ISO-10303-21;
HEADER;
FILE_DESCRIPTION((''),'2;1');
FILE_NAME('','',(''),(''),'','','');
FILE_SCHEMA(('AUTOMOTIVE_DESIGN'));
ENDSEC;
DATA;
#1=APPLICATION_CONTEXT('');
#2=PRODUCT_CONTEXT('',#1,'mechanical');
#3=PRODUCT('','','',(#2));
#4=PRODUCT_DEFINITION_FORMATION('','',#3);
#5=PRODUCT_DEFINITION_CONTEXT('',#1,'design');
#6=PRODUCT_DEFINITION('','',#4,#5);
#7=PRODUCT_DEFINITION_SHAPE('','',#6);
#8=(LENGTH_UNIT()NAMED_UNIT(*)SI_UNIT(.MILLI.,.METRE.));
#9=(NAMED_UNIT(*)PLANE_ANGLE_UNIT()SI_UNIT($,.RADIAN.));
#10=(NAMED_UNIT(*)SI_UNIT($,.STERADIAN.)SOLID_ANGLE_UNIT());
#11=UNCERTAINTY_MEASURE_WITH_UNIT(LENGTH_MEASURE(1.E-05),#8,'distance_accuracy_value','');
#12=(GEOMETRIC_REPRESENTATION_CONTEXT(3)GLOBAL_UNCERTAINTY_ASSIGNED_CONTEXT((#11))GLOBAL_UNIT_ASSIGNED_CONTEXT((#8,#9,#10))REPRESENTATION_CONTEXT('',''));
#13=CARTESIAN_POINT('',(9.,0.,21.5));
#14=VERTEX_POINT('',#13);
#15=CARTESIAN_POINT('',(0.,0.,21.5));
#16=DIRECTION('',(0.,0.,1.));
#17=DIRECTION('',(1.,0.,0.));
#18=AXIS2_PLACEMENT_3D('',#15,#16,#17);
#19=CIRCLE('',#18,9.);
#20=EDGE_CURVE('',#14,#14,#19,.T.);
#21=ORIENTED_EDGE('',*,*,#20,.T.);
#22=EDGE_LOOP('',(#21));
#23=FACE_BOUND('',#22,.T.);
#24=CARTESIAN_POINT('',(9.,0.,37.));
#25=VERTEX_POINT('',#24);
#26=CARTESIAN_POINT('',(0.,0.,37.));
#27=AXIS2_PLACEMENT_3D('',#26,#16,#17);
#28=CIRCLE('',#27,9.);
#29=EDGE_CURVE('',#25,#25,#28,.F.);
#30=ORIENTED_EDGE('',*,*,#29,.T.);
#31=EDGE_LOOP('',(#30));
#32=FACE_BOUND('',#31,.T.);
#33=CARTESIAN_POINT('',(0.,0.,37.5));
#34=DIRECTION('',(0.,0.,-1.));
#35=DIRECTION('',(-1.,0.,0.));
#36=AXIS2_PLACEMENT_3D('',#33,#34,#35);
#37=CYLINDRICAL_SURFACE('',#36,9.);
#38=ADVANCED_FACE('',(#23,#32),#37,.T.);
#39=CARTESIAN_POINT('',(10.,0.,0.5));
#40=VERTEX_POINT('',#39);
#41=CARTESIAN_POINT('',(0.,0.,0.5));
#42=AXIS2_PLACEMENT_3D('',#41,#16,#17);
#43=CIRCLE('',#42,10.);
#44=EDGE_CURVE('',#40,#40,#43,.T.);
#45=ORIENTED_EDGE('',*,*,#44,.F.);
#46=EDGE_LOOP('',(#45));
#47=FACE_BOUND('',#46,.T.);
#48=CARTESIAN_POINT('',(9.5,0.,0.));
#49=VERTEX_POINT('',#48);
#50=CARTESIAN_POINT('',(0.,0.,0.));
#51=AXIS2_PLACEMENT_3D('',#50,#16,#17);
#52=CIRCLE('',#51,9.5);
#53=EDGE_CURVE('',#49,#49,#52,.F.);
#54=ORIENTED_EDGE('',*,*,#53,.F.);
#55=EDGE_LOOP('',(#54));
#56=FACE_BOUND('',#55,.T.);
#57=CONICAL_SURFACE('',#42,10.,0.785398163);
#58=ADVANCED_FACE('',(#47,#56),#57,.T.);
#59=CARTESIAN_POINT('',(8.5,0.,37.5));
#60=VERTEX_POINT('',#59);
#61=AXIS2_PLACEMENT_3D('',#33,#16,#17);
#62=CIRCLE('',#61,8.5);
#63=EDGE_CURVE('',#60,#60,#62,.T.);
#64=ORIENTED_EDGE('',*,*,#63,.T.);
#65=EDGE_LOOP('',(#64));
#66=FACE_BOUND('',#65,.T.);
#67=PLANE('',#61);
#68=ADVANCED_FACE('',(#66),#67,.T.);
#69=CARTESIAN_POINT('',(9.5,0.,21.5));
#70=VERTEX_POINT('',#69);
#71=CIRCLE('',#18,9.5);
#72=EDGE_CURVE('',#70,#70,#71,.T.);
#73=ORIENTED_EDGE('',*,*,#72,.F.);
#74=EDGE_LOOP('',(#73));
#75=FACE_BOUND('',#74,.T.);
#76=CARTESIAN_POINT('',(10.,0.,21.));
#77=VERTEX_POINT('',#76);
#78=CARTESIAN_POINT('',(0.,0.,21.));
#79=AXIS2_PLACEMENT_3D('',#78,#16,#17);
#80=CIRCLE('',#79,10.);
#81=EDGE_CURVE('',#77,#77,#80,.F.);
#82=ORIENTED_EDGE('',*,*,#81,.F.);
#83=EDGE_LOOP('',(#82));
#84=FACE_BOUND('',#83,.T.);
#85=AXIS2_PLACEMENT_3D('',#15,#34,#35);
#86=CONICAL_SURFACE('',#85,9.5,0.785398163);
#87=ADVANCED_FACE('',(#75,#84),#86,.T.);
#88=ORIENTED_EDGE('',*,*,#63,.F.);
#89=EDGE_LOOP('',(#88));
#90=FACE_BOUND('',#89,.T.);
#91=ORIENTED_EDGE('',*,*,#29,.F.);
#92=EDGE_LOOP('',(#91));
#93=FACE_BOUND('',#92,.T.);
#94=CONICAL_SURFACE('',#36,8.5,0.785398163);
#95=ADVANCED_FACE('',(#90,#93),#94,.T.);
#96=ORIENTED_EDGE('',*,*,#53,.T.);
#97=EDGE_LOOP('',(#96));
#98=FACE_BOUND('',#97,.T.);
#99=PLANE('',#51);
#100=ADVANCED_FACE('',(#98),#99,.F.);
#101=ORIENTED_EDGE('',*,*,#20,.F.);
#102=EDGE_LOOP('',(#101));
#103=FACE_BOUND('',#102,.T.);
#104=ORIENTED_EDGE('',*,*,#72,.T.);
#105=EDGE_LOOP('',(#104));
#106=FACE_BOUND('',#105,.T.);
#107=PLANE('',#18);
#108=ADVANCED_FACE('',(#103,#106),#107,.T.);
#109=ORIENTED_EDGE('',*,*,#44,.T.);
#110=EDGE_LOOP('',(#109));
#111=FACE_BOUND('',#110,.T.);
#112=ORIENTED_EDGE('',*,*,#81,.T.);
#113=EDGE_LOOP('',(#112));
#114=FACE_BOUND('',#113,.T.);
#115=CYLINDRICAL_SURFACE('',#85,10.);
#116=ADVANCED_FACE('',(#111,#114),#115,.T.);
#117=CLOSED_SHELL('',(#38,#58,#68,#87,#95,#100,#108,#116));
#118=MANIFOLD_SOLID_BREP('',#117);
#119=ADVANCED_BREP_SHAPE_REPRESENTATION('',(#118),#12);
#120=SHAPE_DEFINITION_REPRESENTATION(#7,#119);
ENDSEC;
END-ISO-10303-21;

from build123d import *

# Parameters (mm, degrees)
SKETCH_1_R      = 10
EXTRUDE_1_DEPTH = 21.5
SKETCH_2_R      = 9
EXTRUDE_2_DEPTH = 16
CHAMFER_1_SIZE  = 0.5


with BuildPart() as part:
    # 草图1 → 凸台-拉伸1 (new body)
    with BuildSketch(Plane.XY):
        Circle(SKETCH_1_R)
    extrude(amount=EXTRUDE_1_DEPTH)

    # 草图2 → 凸台-拉伸2 (add)
    with BuildSketch(Plane.XY.offset(21.5)):
        Circle(SKETCH_2_R)
    extrude(amount=EXTRUDE_2_DEPTH)

    # 倒角1
    chamfer_1_edges = [part.edges().sort_by_distance(p)[0] for p in [
        (-10, 0, 0),
        (-10, 0, 21.5),
        (-9, 0, 37.5),
    ]]
    chamfer(chamfer_1_edges, length=CHAMFER_1_SIZE)


solid = part.part
